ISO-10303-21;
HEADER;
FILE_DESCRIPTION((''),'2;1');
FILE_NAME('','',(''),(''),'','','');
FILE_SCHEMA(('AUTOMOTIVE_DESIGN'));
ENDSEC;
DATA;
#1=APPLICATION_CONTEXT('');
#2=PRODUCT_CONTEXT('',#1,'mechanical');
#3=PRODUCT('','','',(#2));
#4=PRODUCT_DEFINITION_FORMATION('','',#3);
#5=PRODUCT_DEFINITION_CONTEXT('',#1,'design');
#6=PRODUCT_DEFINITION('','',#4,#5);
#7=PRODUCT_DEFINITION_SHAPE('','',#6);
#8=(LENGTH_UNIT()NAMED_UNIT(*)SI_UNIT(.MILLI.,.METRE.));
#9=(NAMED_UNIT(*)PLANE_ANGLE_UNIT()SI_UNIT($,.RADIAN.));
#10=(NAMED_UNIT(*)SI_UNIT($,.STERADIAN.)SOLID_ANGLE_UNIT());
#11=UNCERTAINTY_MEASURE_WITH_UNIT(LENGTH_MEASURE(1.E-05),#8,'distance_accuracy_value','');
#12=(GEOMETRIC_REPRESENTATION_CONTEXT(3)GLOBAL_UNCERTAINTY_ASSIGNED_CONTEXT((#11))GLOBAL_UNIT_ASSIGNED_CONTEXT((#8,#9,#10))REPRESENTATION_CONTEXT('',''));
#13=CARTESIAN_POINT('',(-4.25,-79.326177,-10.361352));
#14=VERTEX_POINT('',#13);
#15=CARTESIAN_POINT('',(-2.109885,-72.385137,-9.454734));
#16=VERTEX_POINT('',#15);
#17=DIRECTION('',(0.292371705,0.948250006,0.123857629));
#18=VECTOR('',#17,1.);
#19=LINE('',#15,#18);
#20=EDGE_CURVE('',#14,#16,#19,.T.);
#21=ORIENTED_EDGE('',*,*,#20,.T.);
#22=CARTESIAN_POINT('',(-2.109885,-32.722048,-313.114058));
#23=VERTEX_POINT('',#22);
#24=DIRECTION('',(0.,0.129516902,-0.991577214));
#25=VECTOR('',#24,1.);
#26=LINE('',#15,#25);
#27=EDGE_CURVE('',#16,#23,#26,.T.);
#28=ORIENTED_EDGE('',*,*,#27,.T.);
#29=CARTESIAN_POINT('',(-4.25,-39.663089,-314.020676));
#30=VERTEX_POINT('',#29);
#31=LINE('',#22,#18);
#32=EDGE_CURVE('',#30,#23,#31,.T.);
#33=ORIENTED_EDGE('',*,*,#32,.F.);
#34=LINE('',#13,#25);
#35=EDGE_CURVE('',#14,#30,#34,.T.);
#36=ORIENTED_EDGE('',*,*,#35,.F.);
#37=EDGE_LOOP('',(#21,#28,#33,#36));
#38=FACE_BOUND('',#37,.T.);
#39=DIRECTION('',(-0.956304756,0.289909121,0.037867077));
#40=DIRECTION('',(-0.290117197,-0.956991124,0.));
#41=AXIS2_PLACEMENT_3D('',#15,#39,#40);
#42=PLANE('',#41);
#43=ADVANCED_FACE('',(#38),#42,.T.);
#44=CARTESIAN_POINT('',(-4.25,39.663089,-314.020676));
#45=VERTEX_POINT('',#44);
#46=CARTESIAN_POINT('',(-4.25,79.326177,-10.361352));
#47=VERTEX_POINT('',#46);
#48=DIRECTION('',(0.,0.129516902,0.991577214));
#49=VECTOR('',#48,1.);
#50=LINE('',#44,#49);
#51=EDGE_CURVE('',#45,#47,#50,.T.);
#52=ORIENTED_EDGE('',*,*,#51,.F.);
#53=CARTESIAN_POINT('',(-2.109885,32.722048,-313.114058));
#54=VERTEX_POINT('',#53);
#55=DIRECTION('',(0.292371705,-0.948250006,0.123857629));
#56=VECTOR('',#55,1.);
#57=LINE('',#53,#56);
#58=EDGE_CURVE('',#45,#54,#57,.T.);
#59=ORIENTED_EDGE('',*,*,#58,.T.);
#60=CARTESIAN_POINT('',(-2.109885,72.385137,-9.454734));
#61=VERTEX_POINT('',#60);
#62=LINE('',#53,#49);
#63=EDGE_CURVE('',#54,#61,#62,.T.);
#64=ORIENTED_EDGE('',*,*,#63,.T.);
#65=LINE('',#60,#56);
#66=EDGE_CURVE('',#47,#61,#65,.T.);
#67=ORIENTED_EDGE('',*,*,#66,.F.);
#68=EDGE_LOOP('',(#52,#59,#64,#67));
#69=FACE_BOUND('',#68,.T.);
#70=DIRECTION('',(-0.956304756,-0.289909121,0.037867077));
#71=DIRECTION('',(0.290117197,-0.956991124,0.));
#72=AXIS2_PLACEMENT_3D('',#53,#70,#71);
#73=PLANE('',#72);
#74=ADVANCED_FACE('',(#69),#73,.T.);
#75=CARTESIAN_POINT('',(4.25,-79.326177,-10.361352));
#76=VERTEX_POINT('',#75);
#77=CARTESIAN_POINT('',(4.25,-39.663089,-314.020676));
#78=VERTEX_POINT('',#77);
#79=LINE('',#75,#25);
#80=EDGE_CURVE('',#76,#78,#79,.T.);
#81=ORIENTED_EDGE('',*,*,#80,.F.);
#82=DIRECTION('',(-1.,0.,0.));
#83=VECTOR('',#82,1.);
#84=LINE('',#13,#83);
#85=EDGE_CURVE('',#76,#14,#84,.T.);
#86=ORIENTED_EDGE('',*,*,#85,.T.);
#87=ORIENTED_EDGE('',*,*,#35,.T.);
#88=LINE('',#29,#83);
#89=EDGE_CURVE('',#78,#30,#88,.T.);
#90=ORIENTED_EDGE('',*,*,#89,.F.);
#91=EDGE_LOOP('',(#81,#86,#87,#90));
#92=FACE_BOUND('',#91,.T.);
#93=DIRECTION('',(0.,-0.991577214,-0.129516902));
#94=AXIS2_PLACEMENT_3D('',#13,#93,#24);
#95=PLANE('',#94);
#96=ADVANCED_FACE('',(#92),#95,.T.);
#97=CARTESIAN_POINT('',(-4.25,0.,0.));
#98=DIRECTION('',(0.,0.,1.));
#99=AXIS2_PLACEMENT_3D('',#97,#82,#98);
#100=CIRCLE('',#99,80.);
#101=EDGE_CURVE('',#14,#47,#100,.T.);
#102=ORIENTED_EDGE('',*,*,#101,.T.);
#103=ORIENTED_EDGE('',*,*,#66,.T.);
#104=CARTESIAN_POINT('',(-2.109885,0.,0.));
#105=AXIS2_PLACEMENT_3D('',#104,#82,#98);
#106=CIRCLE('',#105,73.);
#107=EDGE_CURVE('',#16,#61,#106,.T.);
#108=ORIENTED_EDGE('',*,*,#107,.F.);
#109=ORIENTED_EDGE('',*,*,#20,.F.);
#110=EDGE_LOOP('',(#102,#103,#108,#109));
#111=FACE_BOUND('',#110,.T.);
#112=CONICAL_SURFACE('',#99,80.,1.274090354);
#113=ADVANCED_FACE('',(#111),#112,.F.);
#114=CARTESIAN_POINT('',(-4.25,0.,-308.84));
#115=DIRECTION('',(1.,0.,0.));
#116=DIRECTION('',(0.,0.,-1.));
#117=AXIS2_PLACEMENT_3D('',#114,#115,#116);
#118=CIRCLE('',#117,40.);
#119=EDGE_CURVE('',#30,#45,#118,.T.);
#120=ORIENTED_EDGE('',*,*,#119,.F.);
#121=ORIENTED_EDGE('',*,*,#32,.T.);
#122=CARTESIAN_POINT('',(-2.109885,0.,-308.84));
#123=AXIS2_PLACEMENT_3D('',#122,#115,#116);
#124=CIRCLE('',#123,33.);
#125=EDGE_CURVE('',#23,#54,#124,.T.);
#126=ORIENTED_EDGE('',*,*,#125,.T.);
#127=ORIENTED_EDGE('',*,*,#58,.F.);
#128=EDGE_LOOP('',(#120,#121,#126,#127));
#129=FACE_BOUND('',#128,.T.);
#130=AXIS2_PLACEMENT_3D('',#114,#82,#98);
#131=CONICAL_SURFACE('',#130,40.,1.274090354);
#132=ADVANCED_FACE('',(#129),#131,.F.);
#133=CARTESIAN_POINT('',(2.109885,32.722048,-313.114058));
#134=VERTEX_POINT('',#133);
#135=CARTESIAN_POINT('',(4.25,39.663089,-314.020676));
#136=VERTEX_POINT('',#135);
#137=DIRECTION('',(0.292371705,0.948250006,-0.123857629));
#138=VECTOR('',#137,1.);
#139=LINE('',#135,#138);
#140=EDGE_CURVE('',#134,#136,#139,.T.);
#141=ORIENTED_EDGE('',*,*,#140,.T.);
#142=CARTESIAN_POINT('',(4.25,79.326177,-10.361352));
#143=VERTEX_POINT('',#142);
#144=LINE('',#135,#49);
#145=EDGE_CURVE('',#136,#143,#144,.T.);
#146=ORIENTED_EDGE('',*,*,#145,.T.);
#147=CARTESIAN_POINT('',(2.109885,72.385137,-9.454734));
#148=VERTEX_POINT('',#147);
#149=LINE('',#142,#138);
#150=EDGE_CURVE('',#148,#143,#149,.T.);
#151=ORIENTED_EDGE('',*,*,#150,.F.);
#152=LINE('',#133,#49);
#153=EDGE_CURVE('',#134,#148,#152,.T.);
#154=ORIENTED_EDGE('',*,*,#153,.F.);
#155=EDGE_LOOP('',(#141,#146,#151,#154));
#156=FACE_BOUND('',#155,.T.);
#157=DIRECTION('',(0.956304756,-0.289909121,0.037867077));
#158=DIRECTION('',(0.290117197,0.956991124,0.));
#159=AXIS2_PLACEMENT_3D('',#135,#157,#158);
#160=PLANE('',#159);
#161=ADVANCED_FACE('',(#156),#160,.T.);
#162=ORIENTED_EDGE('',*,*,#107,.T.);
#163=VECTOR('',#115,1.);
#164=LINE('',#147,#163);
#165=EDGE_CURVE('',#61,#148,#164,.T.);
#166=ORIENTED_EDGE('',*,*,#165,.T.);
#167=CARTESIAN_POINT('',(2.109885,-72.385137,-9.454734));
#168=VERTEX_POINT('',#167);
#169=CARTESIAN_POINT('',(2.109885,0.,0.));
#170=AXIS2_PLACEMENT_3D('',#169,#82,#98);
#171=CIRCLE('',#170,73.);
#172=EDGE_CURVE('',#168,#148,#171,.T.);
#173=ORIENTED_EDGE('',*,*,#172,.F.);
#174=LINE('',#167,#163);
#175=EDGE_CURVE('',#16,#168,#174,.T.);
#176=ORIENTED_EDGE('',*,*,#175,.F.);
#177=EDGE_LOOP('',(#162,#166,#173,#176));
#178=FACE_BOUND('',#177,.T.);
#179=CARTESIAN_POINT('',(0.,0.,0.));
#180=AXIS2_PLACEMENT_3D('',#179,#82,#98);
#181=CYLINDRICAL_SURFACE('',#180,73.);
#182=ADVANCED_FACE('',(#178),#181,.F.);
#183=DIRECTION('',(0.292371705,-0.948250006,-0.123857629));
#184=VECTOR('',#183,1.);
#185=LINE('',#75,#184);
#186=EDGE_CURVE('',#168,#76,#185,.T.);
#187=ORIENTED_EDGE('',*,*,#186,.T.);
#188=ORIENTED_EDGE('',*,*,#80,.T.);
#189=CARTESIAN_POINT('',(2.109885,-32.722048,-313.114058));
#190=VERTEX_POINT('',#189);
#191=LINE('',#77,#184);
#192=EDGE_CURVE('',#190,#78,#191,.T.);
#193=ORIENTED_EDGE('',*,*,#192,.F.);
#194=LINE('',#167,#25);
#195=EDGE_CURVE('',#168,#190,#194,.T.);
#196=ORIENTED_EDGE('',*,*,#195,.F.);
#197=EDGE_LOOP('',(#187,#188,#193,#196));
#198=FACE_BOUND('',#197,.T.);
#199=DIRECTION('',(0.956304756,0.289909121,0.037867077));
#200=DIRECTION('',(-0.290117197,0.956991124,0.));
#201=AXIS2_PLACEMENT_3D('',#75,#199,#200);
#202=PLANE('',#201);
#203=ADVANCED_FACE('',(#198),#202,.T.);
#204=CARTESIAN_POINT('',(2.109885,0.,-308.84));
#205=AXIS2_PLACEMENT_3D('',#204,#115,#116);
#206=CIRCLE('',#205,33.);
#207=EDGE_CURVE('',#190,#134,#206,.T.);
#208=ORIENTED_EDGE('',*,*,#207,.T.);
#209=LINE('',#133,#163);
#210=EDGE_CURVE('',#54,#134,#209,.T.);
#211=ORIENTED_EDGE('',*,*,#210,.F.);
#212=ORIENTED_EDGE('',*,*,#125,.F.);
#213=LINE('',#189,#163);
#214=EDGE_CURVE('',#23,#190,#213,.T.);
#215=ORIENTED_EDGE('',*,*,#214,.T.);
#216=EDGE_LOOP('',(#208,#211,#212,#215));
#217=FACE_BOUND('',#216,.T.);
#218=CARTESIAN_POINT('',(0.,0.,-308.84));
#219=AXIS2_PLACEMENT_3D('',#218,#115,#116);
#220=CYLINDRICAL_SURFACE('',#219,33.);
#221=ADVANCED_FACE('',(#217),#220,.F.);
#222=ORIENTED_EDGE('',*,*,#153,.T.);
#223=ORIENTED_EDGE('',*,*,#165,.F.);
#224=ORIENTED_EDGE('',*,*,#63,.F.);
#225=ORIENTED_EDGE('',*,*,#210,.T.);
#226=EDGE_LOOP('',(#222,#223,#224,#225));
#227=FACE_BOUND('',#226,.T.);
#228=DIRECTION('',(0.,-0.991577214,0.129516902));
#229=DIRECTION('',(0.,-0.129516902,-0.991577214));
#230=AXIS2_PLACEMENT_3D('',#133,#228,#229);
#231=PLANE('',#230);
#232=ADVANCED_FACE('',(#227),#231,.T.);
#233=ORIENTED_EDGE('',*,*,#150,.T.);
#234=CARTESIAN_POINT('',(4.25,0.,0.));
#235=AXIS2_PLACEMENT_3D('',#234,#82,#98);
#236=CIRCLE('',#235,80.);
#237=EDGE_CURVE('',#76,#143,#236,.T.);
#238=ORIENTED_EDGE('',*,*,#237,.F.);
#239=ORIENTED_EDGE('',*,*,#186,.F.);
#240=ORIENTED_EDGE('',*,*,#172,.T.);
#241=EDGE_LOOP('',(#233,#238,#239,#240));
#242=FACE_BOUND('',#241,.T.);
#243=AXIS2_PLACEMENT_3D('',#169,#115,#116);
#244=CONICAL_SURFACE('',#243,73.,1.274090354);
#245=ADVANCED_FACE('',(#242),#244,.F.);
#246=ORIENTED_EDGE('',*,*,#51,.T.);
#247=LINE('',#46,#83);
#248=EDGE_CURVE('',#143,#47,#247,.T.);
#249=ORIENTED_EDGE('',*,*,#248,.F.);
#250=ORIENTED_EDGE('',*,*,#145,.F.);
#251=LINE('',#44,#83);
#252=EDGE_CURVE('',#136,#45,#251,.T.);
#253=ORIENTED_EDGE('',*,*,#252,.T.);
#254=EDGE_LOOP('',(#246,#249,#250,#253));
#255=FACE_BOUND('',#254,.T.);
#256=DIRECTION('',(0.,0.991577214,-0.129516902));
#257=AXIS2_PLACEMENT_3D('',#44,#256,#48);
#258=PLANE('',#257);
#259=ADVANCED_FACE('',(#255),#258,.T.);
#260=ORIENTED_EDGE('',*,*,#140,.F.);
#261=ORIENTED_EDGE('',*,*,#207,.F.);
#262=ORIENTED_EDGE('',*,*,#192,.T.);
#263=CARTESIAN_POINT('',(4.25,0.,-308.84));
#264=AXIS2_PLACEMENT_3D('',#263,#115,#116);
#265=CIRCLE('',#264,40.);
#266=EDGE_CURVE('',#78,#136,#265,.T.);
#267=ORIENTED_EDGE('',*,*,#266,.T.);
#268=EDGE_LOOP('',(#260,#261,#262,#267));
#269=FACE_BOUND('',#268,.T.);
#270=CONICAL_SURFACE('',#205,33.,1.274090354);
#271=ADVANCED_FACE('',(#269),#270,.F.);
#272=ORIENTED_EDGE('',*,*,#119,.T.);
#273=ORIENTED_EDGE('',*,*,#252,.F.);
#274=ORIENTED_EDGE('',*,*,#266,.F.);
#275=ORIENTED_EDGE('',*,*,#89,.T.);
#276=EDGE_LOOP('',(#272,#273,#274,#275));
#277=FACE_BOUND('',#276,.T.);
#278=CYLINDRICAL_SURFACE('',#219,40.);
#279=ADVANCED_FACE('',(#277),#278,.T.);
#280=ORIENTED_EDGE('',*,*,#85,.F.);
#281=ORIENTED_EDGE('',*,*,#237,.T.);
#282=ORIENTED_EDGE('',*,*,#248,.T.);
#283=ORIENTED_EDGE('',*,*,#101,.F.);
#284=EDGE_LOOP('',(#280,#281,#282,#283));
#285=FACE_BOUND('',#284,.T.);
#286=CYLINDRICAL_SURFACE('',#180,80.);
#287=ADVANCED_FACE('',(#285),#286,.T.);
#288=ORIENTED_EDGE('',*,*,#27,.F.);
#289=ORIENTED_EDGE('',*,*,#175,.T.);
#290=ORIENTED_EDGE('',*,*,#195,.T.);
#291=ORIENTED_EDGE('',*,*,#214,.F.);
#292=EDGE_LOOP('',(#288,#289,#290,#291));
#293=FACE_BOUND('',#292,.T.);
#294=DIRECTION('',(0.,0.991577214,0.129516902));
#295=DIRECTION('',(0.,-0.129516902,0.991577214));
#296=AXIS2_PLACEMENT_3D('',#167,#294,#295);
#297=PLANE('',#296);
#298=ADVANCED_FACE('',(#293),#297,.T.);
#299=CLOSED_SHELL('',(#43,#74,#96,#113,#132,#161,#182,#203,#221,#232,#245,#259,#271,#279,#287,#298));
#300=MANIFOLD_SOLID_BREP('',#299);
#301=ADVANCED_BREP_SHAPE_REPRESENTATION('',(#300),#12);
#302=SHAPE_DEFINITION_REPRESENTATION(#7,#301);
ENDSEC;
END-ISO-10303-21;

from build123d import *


with BuildPart() as part:
    # 扫描1: sweep along a path in 草图1
    with BuildLine(Plane(origin=(0, 0, 0), x_dir=(0, 0, -1), z_dir=(1, 0, 0))) as sweep_1_path:
        Line((10.361352156, 79.326177152), (314.020676078, 39.663088576))
        ThreePointArc((314.020676078, 39.663088576), (348.84, 0), (314.020676078, -39.663088576))
        Line((314.020676078, -39.663088576), (10.361352156, -79.326177152))
        ThreePointArc((10.361352156, -79.326177152), (-80, 0), (10.361352156, 79.326177152))
    # 草图2 → 扫描1 (sweep)
    with BuildSketch(Plane.XY):
        Polygon((-4.25, 80), (4.25, 80), (2.10988523, 73), (-2.10988523, 73), align=None)
    sweep(path=sweep_1_path.line)


solid = part.part
